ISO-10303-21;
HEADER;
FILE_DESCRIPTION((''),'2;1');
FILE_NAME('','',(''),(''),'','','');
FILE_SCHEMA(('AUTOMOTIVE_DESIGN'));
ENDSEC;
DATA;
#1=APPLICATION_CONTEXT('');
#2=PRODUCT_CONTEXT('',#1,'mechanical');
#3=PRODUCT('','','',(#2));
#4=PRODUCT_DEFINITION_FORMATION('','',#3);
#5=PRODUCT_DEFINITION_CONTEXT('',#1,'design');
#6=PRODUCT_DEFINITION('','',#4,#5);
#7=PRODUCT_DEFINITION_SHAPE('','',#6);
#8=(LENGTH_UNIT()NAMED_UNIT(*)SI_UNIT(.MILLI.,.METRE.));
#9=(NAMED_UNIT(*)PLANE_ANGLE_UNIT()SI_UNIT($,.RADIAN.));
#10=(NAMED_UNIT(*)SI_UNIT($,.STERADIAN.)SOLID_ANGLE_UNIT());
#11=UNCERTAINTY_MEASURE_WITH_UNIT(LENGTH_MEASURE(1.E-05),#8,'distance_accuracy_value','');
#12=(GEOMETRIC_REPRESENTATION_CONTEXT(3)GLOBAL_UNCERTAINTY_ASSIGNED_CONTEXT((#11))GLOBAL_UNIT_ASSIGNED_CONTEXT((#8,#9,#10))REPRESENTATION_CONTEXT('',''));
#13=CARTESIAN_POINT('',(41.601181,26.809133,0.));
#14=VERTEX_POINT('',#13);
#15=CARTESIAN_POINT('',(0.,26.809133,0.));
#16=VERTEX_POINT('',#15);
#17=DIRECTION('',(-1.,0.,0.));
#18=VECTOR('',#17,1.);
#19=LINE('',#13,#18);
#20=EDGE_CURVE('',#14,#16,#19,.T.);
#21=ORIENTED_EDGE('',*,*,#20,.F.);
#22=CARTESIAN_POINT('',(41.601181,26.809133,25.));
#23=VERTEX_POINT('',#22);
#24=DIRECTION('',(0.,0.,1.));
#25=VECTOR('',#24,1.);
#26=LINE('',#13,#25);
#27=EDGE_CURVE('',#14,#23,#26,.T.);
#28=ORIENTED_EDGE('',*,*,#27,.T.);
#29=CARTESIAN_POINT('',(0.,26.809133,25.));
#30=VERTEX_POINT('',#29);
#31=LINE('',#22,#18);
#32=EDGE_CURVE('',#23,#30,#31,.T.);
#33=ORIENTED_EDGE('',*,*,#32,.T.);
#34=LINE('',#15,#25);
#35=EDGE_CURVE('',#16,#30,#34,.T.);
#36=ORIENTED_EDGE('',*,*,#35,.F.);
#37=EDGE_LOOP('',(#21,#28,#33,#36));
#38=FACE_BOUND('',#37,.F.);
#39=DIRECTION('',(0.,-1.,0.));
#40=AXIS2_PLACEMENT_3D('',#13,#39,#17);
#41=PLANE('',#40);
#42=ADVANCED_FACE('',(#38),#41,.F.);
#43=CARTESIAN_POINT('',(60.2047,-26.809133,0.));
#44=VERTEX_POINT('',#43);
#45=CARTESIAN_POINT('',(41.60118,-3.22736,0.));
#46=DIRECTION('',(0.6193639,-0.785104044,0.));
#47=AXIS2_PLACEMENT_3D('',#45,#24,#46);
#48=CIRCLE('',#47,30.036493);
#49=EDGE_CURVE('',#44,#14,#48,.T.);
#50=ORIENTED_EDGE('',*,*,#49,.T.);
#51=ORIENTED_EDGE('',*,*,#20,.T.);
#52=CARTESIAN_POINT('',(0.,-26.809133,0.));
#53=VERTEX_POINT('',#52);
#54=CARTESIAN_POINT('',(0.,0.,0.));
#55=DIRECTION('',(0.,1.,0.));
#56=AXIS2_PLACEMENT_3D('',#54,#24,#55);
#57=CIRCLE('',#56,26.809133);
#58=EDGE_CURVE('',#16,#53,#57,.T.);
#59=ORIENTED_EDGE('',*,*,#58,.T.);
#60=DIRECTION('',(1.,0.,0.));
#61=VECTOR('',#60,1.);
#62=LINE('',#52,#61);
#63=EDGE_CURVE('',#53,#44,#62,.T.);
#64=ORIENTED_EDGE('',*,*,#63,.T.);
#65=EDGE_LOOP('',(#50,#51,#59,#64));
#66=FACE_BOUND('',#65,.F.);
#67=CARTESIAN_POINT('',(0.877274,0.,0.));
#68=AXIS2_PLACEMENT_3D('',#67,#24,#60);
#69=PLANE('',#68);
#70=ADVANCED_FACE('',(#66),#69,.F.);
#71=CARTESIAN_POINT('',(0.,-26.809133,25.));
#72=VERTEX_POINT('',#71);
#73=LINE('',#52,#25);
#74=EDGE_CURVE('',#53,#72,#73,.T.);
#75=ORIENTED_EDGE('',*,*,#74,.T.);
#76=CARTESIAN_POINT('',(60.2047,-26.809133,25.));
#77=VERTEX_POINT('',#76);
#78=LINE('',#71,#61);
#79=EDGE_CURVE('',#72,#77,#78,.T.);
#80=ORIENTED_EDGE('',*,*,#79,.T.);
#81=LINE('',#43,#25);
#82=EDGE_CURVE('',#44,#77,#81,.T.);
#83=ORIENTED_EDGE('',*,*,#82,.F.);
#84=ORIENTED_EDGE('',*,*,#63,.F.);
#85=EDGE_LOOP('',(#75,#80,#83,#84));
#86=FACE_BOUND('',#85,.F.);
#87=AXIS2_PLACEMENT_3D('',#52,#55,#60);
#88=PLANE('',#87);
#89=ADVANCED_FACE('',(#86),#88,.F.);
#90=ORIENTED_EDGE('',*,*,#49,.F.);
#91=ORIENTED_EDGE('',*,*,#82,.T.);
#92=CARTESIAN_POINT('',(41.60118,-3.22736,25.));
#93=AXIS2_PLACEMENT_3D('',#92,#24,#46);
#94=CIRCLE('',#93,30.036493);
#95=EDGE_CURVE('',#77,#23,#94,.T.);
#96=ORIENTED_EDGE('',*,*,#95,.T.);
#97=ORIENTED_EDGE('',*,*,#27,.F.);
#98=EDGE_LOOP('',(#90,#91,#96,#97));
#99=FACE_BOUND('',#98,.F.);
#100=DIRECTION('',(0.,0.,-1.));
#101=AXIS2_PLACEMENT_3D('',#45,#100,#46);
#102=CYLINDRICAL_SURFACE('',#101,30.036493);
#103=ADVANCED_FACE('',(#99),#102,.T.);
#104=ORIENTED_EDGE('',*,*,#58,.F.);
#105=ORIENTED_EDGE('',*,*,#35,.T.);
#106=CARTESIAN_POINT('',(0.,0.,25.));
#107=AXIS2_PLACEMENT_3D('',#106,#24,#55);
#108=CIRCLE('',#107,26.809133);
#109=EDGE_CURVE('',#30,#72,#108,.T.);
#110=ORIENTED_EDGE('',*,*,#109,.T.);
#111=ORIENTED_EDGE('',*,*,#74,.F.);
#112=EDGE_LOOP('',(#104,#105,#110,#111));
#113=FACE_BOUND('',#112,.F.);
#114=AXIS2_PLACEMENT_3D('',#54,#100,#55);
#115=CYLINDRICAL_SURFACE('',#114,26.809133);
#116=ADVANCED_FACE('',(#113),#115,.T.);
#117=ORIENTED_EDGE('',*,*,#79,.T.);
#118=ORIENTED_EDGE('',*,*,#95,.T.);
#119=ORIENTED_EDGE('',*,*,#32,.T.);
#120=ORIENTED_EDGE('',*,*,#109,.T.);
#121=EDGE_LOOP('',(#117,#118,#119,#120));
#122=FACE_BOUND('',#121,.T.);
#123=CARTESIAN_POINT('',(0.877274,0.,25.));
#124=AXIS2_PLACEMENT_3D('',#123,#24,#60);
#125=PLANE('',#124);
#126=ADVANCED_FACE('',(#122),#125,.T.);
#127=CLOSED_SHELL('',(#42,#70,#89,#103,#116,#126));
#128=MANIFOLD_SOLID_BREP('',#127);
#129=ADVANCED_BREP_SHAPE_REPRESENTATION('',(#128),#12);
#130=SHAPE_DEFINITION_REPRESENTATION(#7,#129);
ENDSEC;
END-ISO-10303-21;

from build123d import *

# Parameters (mm, degrees)
F1_DEPTH = 25


with BuildPart() as f1:
    # F0 (on Top) → F1 (new body)
    with BuildSketch(Plane.XY):
        with BuildLine():
            ThreePointArc((0, -26.809133), (18.956919, -18.956919), (26.809133, 0))
            ThreePointArc((26.809133, 0), (18.956919, 18.956919), (0, 26.809133))
            ThreePointArc((0, 26.809133), (-26.809133, 0), (0, -26.809133))
        make_face()
        with BuildLine():
            ThreePointArc((0, 26.809133), (18.956919, 18.956919), (26.809133, 0))
            ThreePointArc((26.809133, 0), (18.956919, -18.956919), (0, -26.809133))
            Line((0, -26.809133), (60.2047, -26.809133))
            ThreePointArc((60.2047, -26.809133), (69.978149, 6.618379), (41.601181, 26.809133))
            Line((41.601181, 26.809133), (0, 26.809133))
        make_face()
    extrude(amount=F1_DEPTH)


solid = f1.part
